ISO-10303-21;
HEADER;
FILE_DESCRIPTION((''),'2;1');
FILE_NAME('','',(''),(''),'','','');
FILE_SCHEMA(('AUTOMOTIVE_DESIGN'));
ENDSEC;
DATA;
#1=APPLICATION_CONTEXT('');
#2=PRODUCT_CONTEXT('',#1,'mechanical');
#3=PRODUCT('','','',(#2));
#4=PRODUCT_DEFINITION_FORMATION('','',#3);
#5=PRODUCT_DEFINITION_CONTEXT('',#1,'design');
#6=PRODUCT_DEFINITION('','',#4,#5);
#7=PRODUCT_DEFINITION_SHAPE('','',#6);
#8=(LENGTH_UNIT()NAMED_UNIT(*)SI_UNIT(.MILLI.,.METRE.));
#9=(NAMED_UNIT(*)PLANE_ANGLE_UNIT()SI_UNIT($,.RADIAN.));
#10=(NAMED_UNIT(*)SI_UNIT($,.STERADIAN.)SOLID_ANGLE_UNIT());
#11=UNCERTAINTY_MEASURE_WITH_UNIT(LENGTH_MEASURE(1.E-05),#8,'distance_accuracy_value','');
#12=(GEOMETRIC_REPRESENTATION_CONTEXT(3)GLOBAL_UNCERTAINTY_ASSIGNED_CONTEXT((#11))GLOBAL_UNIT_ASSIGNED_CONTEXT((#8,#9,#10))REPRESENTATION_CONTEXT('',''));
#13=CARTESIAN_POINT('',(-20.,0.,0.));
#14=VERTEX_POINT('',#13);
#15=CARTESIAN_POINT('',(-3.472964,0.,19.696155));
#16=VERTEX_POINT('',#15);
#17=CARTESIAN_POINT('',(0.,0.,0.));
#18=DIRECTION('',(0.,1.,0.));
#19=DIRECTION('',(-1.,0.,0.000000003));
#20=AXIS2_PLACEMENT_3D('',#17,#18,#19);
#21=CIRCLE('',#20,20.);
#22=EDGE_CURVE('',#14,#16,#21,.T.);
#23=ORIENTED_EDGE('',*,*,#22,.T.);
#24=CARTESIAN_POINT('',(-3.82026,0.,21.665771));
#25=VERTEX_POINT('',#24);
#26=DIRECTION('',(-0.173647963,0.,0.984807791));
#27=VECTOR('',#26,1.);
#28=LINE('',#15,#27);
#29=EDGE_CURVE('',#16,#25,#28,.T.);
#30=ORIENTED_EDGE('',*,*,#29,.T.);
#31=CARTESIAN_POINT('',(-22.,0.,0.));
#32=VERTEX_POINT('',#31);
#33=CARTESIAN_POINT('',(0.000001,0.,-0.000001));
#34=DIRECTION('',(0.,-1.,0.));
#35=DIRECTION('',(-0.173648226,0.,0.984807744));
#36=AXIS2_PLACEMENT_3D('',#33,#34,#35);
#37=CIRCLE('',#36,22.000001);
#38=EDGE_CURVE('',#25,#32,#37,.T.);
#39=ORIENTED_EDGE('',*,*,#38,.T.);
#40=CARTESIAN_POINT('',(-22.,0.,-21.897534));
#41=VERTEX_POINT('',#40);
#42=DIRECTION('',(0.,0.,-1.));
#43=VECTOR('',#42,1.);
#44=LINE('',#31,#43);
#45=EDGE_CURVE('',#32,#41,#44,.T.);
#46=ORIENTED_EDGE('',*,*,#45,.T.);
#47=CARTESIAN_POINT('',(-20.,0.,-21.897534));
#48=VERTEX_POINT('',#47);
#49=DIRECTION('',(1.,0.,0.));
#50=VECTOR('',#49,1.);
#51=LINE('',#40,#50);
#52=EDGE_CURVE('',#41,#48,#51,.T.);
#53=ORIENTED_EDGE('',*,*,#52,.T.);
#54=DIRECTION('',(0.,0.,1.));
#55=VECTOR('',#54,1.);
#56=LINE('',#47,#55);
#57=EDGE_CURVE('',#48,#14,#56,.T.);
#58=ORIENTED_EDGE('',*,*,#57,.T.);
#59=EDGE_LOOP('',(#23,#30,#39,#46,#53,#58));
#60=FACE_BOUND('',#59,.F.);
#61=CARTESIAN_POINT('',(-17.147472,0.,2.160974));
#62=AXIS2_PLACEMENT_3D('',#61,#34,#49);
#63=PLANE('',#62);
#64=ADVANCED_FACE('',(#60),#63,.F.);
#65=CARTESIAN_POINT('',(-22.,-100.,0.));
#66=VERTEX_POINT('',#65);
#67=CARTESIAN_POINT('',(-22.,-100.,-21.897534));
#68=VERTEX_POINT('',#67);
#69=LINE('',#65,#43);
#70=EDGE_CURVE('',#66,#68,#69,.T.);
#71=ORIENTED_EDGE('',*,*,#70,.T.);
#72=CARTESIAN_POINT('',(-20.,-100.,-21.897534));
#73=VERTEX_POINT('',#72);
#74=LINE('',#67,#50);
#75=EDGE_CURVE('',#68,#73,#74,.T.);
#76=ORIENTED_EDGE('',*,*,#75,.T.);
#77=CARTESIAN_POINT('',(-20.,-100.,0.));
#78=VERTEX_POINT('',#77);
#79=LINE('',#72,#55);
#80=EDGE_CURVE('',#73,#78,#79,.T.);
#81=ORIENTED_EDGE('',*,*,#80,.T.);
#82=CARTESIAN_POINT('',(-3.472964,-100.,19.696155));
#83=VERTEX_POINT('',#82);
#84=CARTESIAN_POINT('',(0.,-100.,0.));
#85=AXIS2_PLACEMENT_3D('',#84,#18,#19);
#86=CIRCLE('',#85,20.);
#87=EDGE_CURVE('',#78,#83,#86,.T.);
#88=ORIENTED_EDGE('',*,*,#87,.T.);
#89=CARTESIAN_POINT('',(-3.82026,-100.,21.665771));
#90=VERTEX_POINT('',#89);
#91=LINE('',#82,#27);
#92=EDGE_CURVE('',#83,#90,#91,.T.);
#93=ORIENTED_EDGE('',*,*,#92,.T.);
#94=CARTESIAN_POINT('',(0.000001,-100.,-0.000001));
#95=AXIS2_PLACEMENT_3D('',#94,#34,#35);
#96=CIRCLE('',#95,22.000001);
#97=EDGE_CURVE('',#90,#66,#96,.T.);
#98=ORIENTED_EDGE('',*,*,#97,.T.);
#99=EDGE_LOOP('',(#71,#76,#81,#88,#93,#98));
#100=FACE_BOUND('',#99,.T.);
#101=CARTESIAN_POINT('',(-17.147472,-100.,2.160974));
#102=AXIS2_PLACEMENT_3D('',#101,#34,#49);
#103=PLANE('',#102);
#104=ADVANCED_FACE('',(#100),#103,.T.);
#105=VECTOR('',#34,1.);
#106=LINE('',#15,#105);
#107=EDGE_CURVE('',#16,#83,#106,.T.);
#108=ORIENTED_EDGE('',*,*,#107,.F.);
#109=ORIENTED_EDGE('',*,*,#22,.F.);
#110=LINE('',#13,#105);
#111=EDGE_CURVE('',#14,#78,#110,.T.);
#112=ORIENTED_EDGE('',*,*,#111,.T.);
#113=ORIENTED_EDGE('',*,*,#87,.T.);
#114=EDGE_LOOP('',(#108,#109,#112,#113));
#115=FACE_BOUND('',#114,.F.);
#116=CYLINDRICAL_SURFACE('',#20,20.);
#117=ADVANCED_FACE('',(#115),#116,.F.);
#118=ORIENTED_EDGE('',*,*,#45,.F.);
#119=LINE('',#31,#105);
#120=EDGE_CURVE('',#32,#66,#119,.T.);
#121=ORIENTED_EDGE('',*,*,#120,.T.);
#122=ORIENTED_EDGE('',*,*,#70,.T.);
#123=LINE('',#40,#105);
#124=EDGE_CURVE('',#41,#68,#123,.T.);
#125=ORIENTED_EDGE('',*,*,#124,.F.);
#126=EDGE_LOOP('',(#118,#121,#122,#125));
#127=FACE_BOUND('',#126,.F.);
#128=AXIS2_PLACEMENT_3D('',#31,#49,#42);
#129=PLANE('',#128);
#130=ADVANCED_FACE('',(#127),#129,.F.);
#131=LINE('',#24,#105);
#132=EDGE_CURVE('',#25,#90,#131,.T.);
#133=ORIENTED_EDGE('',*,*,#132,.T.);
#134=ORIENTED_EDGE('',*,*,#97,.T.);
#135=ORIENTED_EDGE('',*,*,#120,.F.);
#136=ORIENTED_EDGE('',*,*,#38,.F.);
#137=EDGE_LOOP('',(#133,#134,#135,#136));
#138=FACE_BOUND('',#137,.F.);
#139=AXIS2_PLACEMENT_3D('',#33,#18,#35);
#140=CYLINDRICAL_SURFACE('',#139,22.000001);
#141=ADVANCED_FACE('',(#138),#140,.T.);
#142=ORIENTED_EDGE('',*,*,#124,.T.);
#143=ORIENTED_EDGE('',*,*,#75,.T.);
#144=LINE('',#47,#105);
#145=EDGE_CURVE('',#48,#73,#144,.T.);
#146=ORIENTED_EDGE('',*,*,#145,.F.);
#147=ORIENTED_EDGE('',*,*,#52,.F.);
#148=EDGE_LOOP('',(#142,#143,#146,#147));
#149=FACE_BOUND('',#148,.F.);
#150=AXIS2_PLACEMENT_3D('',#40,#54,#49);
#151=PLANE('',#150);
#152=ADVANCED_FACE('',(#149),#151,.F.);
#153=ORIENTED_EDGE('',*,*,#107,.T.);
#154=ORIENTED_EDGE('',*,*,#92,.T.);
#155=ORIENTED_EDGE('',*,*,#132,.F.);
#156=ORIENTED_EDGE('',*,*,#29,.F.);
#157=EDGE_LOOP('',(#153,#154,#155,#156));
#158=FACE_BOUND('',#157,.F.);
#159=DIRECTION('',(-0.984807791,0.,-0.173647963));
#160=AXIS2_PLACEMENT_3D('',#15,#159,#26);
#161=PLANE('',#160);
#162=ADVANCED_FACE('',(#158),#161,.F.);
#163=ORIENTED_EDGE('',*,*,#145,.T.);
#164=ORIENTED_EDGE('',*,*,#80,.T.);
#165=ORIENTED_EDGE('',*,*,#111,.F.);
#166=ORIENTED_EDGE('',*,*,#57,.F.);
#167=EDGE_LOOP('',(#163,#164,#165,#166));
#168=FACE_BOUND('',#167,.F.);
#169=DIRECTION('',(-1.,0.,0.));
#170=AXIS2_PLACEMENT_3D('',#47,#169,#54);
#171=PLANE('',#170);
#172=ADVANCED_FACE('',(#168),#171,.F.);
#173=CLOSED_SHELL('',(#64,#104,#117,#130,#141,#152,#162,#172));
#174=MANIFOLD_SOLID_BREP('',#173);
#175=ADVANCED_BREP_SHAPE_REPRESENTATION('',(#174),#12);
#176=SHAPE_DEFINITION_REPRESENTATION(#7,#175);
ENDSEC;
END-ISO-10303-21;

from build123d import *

# Parameters (mm, degrees)
F1_DEPTH = 100


with BuildPart() as f1:
    # F0 (on Front) → F1 (new body)
    with BuildSketch(Plane.XZ):
        with BuildLine():
            ThreePointArc((-20, 0), (-15.320889, 12.855752), (-3.472964, 19.696155))
            Line((-3.472964, 19.696155), (-3.82026, 21.665771))
            ThreePointArc((-3.82026, 21.665771), (-16.852978, 14.141327), (-22, 0))
            Line((-22, 0), (-22, -21.897534))
            Line((-22, -21.897534), (-20, -21.897534))
            Line((-20, -21.897534), (-20, 0))
        make_face()
    extrude(amount=F1_DEPTH)


solid = f1.part
